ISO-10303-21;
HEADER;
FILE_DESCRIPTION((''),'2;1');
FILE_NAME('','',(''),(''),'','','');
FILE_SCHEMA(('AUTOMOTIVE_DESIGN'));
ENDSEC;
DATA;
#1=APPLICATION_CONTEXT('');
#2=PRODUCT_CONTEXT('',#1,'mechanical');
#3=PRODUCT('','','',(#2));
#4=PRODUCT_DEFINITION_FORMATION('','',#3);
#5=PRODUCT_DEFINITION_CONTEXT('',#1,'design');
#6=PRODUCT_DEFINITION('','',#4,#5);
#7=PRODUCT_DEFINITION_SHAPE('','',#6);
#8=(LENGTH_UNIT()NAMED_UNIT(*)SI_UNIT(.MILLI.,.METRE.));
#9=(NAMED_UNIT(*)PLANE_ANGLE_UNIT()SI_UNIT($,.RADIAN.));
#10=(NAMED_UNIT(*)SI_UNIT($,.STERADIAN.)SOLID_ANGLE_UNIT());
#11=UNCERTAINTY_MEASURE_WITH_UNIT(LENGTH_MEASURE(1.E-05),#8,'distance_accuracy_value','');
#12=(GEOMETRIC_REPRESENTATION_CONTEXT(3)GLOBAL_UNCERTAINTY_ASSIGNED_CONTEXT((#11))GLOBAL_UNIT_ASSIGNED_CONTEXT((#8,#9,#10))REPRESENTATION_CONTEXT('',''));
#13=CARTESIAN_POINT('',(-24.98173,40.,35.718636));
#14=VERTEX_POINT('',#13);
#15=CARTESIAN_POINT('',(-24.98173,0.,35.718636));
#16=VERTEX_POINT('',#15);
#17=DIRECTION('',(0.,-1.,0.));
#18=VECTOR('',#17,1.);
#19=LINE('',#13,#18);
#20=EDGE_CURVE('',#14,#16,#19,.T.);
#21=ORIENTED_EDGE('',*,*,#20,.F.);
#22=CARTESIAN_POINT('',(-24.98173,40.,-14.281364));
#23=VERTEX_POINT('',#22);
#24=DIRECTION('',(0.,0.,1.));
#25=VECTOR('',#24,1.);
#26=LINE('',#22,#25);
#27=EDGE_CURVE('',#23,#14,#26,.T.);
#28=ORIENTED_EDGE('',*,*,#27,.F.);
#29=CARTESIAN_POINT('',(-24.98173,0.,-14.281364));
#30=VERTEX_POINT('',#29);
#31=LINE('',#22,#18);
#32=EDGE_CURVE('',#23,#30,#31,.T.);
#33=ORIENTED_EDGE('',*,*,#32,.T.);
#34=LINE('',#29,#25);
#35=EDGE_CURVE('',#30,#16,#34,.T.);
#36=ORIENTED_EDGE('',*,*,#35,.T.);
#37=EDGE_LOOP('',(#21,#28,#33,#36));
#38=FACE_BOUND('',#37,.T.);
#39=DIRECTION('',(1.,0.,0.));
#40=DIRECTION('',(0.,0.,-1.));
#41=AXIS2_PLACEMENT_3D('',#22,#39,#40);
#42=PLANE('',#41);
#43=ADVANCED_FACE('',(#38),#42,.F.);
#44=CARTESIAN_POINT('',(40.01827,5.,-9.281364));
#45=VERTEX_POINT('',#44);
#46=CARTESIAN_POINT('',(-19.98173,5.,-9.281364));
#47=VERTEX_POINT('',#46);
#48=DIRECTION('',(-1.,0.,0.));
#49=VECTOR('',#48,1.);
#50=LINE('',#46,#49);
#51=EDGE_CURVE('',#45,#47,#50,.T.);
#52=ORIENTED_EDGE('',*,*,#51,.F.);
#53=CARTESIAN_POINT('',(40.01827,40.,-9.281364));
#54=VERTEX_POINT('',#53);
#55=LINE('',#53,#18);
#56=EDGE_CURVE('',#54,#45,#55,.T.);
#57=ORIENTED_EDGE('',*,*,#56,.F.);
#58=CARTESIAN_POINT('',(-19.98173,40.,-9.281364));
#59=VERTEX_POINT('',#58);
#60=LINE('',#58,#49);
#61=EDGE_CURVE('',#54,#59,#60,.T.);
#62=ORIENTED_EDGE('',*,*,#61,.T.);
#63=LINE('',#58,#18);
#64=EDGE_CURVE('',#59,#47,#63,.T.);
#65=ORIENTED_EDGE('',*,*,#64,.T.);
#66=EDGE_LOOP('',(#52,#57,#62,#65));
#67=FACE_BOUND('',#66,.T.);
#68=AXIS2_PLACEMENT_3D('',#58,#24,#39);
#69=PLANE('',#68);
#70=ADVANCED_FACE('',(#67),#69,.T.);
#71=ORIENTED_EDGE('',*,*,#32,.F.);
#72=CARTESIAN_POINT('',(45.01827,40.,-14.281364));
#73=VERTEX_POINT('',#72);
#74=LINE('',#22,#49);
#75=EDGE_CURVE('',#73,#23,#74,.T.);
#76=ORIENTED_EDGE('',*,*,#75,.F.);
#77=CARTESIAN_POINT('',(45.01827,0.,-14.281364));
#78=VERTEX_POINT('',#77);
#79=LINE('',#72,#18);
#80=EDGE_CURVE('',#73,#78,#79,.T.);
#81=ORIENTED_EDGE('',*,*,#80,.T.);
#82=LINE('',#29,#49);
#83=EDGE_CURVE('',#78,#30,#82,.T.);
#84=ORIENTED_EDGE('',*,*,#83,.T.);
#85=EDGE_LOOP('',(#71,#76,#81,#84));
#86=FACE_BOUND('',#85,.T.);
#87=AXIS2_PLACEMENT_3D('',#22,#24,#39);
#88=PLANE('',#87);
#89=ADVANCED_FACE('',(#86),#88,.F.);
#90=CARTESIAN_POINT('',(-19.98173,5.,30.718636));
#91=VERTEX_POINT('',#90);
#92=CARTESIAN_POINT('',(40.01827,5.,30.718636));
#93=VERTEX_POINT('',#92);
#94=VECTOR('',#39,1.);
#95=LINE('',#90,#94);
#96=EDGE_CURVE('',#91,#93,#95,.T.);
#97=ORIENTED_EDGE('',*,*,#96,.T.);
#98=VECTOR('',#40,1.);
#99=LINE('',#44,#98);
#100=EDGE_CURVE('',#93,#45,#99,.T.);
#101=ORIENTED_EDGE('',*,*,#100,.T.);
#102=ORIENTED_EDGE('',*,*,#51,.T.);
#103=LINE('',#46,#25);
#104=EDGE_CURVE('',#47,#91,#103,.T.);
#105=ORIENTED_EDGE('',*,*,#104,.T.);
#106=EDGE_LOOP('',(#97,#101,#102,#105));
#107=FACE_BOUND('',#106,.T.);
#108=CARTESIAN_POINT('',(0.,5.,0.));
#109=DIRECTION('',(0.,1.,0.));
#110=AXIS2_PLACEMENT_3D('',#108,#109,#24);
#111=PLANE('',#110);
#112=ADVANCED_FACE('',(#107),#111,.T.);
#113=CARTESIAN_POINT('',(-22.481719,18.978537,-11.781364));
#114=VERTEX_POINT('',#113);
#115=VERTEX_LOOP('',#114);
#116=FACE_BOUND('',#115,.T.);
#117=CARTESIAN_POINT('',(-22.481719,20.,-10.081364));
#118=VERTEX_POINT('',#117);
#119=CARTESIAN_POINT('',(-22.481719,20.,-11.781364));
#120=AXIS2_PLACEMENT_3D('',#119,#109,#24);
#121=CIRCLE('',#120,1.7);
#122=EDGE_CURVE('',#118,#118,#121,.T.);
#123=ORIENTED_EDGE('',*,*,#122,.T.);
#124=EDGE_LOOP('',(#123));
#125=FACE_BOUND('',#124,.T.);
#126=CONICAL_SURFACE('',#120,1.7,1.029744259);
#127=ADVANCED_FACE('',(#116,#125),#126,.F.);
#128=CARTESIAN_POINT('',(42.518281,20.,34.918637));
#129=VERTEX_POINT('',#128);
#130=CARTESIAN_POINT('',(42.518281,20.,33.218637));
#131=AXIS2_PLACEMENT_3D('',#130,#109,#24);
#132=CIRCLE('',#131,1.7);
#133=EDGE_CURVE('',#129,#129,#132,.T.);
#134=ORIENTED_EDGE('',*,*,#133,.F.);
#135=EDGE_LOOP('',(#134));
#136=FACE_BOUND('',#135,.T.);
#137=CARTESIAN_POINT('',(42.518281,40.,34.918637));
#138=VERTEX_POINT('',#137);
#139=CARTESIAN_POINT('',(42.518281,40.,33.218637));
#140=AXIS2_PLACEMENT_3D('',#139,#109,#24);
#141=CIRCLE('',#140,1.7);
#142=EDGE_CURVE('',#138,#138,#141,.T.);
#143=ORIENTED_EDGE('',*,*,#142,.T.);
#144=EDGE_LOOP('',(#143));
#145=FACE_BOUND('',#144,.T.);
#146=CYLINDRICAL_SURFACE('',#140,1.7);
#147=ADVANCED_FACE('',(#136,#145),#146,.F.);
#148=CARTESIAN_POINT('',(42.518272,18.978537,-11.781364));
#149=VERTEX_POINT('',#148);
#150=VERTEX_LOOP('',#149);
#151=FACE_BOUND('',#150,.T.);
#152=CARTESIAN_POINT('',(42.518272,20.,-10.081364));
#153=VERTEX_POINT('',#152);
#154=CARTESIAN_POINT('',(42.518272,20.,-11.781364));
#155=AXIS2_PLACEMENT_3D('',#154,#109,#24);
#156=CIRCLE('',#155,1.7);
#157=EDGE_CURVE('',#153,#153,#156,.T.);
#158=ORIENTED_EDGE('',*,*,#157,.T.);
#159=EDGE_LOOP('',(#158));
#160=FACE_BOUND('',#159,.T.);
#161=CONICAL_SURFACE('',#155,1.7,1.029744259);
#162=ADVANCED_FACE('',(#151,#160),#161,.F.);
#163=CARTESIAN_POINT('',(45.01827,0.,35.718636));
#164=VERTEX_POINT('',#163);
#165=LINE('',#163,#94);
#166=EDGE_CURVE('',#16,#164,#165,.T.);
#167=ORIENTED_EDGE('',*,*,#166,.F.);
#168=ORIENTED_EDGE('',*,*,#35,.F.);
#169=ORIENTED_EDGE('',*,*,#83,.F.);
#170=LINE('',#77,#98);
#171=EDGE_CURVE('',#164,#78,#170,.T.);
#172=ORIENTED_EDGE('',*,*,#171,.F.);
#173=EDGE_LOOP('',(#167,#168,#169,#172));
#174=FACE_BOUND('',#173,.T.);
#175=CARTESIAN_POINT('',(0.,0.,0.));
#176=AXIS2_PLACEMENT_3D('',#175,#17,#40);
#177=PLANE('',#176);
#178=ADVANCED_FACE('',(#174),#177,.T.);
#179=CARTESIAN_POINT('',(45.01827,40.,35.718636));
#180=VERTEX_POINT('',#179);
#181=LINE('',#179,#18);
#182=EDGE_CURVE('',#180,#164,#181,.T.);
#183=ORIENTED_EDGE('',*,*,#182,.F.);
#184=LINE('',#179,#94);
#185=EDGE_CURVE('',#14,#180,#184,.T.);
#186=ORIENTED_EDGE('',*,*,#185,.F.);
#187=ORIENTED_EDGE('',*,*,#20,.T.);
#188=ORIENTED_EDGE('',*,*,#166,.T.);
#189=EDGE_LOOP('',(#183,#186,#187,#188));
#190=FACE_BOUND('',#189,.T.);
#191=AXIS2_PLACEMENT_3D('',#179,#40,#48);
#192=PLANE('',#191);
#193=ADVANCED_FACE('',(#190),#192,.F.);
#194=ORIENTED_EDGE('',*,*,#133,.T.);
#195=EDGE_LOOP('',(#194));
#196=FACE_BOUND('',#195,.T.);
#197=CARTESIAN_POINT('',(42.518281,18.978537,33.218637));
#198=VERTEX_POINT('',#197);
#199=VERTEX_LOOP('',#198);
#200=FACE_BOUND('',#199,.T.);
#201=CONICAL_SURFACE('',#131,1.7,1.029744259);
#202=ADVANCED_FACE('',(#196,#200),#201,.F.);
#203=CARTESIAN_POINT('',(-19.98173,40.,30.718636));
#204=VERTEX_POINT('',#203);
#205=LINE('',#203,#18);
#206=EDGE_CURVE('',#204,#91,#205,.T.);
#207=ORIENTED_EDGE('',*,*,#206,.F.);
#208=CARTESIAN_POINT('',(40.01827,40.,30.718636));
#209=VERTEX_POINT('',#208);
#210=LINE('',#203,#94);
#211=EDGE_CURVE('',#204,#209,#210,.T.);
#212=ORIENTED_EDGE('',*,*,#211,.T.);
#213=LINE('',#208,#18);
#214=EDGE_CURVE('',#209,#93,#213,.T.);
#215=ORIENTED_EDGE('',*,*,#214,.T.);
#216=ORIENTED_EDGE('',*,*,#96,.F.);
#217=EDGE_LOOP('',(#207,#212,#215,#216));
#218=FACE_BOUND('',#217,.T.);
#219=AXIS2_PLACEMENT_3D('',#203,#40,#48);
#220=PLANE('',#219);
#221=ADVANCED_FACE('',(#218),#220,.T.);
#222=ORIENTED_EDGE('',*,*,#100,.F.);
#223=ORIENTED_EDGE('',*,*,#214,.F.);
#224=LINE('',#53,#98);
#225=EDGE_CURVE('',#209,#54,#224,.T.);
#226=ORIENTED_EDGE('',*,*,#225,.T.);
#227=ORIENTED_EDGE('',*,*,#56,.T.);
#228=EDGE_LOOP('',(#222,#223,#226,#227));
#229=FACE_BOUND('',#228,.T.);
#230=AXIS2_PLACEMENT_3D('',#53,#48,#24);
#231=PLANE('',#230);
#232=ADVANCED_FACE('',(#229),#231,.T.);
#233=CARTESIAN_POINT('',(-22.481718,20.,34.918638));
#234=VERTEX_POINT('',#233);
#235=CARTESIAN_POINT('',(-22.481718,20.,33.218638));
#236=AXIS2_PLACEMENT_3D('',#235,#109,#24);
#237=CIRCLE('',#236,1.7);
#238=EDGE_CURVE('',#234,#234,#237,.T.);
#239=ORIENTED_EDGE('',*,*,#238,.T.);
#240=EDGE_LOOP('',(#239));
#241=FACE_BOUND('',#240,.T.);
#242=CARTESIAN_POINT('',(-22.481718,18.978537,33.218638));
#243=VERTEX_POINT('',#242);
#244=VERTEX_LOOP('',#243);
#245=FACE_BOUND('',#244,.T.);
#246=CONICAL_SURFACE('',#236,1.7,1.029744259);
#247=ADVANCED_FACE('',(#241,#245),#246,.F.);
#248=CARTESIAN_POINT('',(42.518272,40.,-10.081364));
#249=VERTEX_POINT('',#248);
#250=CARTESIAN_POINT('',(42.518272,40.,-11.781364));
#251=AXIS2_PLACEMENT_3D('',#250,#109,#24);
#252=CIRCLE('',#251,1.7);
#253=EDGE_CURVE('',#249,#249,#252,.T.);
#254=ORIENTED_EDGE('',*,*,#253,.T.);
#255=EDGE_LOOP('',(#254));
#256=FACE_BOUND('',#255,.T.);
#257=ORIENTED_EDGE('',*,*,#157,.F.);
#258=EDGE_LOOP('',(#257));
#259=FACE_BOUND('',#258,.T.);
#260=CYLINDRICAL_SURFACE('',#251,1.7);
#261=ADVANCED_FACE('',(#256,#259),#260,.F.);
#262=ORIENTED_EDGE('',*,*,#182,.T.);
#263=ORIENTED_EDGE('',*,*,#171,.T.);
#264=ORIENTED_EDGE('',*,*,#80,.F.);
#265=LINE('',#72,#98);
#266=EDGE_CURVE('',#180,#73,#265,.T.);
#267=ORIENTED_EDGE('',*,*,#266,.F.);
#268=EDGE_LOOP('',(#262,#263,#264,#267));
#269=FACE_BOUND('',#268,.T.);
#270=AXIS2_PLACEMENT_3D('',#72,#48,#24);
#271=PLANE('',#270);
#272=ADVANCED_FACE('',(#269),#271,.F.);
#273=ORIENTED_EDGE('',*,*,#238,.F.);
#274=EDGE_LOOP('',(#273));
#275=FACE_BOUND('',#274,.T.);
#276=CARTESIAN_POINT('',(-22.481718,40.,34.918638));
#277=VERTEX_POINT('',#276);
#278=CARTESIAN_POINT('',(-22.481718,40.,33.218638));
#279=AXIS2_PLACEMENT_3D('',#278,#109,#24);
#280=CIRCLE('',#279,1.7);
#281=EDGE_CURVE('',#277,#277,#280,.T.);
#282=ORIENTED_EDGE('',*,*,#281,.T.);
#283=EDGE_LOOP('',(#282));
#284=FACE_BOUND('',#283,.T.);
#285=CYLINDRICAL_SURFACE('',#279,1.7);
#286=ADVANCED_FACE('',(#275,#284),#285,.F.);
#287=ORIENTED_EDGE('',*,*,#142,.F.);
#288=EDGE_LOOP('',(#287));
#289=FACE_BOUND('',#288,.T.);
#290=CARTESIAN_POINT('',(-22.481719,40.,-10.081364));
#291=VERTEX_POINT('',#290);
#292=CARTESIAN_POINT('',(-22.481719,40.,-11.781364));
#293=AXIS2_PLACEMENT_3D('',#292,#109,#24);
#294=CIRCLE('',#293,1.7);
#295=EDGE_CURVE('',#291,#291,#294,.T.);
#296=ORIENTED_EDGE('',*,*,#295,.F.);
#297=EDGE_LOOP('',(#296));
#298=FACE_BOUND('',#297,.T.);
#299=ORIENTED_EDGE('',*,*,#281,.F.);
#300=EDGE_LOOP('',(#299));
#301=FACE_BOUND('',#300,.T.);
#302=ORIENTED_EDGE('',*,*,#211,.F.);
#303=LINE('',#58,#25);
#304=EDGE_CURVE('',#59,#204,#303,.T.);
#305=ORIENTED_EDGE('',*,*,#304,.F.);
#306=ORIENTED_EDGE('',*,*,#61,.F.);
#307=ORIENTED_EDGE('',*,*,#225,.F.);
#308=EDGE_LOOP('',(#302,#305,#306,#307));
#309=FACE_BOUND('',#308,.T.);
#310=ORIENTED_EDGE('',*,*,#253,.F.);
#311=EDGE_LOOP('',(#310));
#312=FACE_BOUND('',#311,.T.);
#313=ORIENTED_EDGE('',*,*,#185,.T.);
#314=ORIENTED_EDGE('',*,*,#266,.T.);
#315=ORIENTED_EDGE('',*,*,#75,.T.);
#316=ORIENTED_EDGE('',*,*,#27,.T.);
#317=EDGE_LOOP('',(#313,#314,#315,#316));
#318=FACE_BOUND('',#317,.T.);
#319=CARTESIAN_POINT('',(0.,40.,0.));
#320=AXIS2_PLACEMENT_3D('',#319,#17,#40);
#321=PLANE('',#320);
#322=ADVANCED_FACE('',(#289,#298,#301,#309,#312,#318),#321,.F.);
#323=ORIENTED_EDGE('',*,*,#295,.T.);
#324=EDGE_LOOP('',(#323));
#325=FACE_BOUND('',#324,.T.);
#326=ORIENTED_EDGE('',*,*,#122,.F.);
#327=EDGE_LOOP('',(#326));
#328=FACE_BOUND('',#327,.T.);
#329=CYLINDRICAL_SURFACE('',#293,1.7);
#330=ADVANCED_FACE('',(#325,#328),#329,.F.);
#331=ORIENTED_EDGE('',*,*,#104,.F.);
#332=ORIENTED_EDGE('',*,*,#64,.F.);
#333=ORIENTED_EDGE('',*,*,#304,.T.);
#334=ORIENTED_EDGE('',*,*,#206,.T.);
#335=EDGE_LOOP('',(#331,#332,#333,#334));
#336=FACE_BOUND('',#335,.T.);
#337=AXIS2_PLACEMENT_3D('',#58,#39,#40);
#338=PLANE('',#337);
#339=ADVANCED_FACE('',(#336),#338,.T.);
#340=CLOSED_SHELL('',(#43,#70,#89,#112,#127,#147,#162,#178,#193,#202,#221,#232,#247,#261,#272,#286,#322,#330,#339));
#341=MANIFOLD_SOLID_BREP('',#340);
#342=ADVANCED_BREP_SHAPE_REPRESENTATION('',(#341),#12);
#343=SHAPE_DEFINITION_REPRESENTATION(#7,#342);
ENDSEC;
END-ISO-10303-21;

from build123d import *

# Parameters (mm, degrees)
CROQUIS1_W                       = 70
CROQUIS1_H                       = 50
SALIENTE_EXTRUIR1_DEPTH          = 40
CROQUIS2_W                       = 60
CROQUIS2_H                       = 40
CORTAR_EXTRUIR1_DEPTH            = 71.017609314
CROQUIS3_W                       = 60
CROQUIS3_H                       = 40
SALIENTE_EXTRUIR2_DEPTH          = 5
TALADRO_DE_MARGEN_PARA_M31_D     = 3.4
TALADRO_DE_MARGEN_PARA_M31_DEPTH = 20
TALADRO_DE_MARGEN_PARA_M31_TIP   = 1.021463052


with BuildPart() as part:
    # Croquis1 → Saliente-Extruir1 (new body)
    with BuildSketch(Plane(origin=(0, 0, 0), x_dir=(1, 0, 0), z_dir=(0, 1, 0))):
        with Locations((10.018270402, -10.71863581)):
            Rectangle(CROQUIS1_W, CROQUIS1_H)
    extrude(amount=SALIENTE_EXTRUIR1_DEPTH)

    # Croquis2 → Cortar-Extruir1 (cut, through all)
    with BuildSketch(Plane(origin=(0, 0, 0), x_dir=(1, 0, 0), z_dir=(0, 1, 0))):
        with Locations((10.018270402, -10.71863581)):
            Rectangle(CROQUIS2_W, CROQUIS2_H)
    extrude(amount=CORTAR_EXTRUIR1_DEPTH, mode=Mode.SUBTRACT)

    # Croquis3 → Saliente-Extruir2 (add)
    with BuildSketch(Plane(origin=(0, 0, 0), x_dir=(1, 0, 0), z_dir=(0, 1, 0))):
        with Locations((10.018270402, -10.71863581)):
            Rectangle(CROQUIS3_W, CROQUIS3_H)
    extrude(amount=SALIENTE_EXTRUIR2_DEPTH)

    # Taladro de margen para M31
    with Locations(Plane(origin=(-22.481719301, 40, -11.781363893), x_dir=(0, 0, 1), z_dir=(0, 1, 0))):
        with Locations((0, 0), (-2.33e-07, 64.999991125), (44.999999703, 64.999989703), (45.0000013, 65.000000057), (45.000001979, 1.038e-06)):
            Hole(TALADRO_DE_MARGEN_PARA_M31_D / 2, depth=TALADRO_DE_MARGEN_PARA_M31_DEPTH)
            with Locations((0, 0, -(TALADRO_DE_MARGEN_PARA_M31_DEPTH + TALADRO_DE_MARGEN_PARA_M31_TIP / 2))):  # 118° drill point
                Cone(0, TALADRO_DE_MARGEN_PARA_M31_D / 2, TALADRO_DE_MARGEN_PARA_M31_TIP, mode=Mode.SUBTRACT)


solid = part.part
